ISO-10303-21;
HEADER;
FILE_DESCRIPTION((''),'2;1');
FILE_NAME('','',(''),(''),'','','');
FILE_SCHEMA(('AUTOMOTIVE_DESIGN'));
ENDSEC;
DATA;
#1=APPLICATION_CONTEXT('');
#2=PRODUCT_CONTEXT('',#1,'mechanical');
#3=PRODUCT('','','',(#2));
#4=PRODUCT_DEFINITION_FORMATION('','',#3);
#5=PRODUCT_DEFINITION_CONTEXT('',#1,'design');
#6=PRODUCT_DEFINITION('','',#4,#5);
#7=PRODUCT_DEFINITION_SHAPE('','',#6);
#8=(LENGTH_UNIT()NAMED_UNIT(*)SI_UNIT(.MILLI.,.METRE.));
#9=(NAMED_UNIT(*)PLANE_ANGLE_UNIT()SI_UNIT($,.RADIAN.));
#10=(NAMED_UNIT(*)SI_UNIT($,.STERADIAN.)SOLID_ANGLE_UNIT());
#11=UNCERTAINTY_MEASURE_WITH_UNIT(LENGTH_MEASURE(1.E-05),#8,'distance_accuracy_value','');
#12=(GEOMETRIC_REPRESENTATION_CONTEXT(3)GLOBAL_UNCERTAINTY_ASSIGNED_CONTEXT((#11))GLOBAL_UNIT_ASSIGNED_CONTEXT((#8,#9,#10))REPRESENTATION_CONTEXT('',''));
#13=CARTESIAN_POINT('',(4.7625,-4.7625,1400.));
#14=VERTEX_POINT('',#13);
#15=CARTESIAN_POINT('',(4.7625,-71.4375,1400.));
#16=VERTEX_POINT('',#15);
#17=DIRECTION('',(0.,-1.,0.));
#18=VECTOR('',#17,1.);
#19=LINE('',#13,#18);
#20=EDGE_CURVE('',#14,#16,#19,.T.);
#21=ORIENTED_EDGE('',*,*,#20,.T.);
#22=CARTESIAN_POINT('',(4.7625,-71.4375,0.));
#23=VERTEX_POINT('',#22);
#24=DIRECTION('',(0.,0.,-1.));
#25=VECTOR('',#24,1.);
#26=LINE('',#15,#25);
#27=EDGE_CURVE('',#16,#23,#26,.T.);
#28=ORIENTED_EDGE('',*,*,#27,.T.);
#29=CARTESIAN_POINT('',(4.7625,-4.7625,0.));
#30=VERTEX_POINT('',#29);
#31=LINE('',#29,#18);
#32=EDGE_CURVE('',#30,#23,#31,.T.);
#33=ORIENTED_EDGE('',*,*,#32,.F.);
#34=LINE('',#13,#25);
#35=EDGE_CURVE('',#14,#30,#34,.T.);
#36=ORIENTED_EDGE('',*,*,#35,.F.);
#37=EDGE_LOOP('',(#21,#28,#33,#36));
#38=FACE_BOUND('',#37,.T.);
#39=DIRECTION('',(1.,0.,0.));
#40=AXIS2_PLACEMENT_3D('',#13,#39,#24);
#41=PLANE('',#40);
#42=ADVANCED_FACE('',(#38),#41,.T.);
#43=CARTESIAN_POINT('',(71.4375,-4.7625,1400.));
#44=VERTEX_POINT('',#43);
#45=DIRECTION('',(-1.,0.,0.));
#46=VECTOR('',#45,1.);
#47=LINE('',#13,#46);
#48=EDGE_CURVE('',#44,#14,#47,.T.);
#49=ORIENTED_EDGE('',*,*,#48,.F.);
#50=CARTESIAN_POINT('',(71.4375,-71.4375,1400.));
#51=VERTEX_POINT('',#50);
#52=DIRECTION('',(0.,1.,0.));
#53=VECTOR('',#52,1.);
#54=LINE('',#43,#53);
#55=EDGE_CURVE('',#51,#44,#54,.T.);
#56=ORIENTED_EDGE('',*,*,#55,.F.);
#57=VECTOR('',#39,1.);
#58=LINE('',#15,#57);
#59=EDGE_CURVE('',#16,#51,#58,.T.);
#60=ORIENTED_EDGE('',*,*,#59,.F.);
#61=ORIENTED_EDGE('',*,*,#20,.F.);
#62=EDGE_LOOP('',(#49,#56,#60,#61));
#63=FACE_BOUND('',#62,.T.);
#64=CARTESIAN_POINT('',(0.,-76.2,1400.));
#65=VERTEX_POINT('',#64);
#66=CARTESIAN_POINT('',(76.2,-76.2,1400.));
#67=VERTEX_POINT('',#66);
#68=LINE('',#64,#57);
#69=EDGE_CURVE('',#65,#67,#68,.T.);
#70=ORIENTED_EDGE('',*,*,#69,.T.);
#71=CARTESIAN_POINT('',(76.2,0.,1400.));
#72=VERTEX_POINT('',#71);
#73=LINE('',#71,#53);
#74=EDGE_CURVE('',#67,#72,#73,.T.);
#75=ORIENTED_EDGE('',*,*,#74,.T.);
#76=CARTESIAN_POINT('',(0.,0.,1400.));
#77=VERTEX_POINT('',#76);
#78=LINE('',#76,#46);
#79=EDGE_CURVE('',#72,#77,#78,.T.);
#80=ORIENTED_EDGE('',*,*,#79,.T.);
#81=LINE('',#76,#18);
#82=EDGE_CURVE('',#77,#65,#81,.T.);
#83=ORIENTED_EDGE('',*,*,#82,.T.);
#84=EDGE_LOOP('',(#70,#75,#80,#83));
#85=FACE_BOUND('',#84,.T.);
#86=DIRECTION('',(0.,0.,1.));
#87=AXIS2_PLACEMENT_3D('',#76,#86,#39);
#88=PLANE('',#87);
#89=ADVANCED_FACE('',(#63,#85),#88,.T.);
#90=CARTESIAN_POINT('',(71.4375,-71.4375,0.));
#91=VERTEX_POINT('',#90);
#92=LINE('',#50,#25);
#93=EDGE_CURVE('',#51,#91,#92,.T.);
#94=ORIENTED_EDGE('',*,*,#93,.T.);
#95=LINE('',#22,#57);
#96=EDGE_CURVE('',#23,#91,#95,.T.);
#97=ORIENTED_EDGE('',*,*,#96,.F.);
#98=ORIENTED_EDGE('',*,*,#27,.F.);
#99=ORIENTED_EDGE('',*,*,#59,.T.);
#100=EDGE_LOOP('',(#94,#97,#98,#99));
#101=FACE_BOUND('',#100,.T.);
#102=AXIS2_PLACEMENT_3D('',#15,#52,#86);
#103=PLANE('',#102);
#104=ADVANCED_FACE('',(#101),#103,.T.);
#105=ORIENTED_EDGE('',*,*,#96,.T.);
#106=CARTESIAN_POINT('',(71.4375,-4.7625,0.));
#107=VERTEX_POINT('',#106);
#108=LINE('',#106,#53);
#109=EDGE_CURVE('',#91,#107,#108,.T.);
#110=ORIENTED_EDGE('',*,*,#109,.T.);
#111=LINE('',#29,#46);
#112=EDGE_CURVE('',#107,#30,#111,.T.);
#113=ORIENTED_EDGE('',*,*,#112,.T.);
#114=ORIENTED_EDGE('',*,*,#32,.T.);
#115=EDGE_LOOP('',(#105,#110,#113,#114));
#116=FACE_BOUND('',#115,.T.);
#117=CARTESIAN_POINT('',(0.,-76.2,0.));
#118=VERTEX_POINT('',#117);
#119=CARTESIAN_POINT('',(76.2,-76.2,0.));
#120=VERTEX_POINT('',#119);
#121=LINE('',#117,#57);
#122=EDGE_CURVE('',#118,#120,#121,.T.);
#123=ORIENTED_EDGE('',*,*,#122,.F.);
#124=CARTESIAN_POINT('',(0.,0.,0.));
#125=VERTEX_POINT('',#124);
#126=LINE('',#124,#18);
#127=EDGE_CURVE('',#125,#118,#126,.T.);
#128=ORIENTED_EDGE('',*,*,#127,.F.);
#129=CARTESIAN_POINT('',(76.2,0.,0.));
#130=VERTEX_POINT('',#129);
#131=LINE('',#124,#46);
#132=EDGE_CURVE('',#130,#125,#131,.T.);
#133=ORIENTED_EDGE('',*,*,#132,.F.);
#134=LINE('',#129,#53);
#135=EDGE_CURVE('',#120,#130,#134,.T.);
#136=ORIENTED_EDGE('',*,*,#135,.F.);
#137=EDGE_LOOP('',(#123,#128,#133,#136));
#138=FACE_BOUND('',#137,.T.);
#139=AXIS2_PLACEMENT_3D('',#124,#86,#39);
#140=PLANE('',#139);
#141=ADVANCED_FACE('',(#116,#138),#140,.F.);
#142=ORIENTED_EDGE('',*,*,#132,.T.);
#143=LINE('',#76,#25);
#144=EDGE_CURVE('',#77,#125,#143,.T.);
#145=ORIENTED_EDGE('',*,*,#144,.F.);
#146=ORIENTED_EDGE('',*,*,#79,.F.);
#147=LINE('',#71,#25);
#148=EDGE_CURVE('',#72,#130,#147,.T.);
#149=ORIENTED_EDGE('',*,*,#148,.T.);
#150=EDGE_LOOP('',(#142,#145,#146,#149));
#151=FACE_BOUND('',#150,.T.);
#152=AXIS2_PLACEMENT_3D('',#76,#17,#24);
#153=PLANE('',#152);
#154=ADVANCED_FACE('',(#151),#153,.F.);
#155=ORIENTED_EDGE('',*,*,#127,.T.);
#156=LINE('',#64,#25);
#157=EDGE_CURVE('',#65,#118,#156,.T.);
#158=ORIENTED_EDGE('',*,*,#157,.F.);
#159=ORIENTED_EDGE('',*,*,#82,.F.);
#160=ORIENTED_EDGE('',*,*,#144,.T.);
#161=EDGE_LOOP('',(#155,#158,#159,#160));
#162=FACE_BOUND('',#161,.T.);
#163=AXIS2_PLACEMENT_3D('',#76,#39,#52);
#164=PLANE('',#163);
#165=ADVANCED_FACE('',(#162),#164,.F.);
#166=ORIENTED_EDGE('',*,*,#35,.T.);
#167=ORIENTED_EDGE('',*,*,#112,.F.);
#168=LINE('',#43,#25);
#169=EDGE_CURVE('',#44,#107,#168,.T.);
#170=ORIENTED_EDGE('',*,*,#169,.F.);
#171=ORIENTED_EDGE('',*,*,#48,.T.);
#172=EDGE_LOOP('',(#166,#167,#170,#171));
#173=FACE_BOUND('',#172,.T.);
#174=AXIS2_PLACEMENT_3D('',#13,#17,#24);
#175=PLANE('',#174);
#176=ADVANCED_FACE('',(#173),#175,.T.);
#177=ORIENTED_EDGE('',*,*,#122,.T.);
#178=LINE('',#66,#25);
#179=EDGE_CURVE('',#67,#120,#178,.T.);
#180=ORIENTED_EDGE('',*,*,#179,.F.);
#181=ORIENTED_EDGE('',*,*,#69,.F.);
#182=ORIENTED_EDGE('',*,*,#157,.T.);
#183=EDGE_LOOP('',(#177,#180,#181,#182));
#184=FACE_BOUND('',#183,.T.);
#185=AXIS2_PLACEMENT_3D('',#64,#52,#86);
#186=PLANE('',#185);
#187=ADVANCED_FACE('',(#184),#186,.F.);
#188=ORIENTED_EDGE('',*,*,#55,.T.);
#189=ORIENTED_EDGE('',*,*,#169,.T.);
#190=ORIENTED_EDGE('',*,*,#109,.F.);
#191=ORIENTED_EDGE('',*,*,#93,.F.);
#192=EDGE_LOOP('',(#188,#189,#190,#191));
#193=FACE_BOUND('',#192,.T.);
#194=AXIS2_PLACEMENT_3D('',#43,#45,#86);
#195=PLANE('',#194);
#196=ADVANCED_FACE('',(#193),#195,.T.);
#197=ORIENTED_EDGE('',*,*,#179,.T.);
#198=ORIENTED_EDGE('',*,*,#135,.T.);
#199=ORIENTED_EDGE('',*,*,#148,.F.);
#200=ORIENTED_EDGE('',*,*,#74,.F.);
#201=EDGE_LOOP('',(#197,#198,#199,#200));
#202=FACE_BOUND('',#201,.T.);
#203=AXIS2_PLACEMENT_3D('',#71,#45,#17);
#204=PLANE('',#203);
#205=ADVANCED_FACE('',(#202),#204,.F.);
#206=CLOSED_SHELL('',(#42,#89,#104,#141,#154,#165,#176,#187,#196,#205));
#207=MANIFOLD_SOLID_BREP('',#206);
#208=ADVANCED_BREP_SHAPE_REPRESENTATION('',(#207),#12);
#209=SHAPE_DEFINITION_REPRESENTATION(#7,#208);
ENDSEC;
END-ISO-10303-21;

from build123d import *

# Parameters (mm, degrees)
CROQUIS1_W              = 76.2
CROQUIS1_H              = 76.2
CROQUIS1_W_2            = 66.675
CROQUIS1_H_2            = 66.675
SALIENTE_EXTRUIR1_DEPTH = 1400


with BuildPart() as part:
    # Croquis1 → Saliente-Extruir1 (new body)
    with BuildSketch(Plane.XY):
        with Locations((38.1, -38.1)):
            Rectangle(CROQUIS1_W, CROQUIS1_H)
        with Locations((38.1, -38.1)):
            Rectangle(CROQUIS1_W_2, CROQUIS1_H_2, mode=Mode.SUBTRACT)
    extrude(amount=SALIENTE_EXTRUIR1_DEPTH)


solid = part.part
